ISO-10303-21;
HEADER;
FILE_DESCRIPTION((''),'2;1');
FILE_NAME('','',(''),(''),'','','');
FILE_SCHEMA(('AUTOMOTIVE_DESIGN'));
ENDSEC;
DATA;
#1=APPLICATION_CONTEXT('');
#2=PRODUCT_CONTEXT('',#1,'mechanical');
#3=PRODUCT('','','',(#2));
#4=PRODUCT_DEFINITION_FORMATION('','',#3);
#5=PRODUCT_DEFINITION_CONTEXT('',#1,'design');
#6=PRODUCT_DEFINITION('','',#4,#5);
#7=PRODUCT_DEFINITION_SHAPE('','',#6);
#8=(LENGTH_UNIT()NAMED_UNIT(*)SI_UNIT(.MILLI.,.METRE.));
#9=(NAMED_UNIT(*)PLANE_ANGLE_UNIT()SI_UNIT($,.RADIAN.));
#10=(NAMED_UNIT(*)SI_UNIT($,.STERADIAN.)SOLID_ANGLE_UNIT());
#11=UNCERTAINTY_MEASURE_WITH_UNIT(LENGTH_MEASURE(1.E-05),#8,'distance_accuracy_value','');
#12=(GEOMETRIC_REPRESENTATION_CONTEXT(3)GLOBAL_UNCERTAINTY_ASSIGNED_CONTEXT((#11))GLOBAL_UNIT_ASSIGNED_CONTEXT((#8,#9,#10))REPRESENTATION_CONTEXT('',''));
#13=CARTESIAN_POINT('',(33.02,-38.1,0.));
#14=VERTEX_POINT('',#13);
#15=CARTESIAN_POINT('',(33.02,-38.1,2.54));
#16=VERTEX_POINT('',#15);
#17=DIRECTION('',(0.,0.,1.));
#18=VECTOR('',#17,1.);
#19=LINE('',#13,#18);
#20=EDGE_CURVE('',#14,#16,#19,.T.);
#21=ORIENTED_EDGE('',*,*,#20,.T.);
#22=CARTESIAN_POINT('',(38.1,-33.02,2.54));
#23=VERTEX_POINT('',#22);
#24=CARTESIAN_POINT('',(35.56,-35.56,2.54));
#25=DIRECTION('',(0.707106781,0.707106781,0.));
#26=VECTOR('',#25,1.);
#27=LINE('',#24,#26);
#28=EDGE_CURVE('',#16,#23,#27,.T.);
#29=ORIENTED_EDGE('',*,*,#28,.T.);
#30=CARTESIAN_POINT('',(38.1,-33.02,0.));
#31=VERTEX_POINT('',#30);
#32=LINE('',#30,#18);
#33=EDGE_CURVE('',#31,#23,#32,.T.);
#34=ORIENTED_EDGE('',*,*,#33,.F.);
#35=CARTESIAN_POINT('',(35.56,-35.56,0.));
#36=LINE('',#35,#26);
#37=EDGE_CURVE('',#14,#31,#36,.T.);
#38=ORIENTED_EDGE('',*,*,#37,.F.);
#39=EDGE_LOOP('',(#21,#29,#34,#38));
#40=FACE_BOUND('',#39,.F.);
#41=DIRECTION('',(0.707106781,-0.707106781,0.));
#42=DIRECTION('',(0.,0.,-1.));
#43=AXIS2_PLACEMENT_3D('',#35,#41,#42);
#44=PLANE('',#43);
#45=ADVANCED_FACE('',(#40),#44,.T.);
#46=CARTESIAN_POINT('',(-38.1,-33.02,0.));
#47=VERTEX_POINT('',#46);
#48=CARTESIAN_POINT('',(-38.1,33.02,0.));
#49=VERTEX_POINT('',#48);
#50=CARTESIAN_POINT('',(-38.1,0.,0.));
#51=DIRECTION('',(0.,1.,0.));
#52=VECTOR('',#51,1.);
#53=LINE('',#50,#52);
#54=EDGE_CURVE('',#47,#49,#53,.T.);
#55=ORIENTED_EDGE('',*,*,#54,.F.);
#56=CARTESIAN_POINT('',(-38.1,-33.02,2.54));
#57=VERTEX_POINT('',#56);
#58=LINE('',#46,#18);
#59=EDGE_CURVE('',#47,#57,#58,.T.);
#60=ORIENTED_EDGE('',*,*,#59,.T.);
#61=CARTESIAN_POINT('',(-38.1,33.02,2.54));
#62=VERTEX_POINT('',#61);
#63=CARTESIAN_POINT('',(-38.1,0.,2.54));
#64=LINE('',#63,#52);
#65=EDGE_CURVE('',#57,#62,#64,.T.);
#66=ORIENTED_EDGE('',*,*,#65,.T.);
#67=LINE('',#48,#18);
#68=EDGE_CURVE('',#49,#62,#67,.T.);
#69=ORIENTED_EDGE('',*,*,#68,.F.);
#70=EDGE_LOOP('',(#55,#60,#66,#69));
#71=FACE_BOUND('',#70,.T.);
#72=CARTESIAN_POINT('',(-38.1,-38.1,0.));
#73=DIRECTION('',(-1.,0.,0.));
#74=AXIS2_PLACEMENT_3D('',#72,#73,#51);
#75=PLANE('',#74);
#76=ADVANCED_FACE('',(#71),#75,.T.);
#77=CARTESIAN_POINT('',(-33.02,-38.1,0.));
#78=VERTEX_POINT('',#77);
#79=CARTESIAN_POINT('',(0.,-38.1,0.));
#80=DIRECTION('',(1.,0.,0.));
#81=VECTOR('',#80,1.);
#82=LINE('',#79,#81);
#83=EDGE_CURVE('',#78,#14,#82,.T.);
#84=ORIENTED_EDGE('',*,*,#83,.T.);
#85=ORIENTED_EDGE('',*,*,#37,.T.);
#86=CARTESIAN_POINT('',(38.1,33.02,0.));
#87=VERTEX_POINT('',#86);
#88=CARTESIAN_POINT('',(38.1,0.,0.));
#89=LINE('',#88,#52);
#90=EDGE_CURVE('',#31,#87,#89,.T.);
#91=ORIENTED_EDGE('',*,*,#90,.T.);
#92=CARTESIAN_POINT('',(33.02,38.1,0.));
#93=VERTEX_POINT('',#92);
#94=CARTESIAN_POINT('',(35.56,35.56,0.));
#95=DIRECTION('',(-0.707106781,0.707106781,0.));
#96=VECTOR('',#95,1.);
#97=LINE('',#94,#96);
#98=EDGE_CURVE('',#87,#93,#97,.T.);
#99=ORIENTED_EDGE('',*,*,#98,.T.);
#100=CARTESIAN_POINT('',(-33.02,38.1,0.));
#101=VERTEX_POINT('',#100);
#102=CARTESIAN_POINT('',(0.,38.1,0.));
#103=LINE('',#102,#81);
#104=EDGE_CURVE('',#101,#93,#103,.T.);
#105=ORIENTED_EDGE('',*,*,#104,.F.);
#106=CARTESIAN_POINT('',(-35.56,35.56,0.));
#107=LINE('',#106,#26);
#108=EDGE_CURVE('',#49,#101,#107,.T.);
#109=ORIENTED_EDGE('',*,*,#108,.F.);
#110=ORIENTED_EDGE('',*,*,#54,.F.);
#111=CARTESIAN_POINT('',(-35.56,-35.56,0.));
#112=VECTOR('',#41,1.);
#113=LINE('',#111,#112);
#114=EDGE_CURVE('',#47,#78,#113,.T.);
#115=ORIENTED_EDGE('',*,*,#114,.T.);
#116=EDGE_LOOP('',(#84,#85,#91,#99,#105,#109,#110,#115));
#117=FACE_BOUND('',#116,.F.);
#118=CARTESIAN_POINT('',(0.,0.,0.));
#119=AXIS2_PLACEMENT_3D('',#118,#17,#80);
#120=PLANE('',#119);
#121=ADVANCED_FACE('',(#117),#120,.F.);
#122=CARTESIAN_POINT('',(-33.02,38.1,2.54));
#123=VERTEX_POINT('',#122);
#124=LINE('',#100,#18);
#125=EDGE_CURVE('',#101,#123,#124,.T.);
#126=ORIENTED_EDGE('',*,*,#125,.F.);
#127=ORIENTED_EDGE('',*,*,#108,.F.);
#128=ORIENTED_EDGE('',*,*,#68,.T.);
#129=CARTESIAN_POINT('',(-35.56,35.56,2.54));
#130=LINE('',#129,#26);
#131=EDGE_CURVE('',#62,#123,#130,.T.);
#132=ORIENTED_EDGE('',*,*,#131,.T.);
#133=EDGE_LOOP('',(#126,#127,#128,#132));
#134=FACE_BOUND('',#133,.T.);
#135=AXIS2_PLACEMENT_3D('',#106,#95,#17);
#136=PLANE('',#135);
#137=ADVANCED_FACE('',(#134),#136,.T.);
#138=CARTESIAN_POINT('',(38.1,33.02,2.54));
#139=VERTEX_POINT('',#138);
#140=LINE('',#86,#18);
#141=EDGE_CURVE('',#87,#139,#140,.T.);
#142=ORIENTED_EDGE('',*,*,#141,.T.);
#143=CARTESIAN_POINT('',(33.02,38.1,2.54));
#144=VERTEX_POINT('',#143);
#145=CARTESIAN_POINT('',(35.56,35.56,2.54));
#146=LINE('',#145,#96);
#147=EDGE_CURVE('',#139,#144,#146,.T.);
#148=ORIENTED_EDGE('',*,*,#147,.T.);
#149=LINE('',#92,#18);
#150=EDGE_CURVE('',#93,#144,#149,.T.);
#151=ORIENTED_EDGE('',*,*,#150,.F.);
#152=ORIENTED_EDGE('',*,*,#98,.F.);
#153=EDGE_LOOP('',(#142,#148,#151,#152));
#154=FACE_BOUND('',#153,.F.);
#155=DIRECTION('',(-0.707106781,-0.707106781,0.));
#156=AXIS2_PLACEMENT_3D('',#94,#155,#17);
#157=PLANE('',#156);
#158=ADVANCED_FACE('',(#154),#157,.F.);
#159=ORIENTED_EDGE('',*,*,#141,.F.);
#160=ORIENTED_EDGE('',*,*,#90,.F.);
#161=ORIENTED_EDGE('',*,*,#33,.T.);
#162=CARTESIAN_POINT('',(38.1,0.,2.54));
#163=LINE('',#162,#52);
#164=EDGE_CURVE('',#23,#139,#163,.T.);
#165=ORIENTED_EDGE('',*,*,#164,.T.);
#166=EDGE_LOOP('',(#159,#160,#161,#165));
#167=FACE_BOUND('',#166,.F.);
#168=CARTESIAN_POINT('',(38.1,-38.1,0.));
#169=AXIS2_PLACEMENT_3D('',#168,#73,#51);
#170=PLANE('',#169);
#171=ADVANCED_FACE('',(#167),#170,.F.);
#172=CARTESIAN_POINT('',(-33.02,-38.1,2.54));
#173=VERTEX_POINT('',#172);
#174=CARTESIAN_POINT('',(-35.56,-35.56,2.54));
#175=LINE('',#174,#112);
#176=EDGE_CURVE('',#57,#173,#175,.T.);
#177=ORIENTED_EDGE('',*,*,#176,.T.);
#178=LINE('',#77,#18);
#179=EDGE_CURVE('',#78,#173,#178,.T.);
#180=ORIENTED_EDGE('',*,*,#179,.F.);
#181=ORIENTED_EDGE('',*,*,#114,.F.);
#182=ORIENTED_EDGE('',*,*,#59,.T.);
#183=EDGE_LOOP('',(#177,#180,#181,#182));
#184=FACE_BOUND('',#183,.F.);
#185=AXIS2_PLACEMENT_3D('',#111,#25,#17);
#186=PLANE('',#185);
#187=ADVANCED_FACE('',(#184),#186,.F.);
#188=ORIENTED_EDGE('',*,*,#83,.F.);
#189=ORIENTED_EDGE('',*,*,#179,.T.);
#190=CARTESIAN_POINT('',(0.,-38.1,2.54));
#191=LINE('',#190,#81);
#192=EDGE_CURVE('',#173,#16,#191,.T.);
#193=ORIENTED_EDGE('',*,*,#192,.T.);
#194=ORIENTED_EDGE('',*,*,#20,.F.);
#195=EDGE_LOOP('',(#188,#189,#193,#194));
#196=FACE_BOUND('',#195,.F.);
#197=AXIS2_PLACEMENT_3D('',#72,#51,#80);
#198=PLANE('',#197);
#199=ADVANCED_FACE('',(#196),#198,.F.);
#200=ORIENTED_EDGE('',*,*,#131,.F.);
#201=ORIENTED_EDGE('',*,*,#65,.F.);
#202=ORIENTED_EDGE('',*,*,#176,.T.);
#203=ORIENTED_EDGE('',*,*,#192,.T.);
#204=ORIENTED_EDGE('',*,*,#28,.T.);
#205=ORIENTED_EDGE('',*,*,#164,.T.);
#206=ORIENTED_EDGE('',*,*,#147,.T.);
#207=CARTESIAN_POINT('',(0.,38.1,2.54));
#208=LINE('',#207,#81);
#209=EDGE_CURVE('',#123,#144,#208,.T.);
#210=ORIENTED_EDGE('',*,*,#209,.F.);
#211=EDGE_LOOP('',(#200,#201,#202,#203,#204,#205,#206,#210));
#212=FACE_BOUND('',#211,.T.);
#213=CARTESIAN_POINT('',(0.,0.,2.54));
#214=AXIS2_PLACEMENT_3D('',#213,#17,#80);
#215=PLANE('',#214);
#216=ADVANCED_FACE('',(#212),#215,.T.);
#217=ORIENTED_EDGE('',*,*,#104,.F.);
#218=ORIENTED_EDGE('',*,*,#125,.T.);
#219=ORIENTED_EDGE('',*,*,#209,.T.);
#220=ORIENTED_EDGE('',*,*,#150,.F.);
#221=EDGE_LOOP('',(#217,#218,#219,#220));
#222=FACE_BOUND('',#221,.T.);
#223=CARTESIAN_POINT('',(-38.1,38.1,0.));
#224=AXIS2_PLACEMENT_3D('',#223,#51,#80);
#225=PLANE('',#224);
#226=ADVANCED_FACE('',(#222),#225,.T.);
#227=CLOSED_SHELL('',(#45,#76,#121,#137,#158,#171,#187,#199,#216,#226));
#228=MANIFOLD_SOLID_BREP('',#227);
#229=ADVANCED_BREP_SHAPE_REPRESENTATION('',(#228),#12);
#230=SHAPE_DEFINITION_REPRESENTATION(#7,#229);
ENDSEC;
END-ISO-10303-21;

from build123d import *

# Parameters (mm, degrees)
F0_W     = 76.2
F0_H     = 76.2
F1_DEPTH = 2.54
F3_W     = 76.2
F3_H     = 76.2
F4_DEPTH = 2.54
F5_SIZE  = 5.08


with BuildPart() as f1:
    # F0 (on Top) → F1 (new body)
    with BuildSketch(Plane.XY):
        with Locations((-53.6030647397, 0.9952480853)):
            Rectangle(F0_W, F0_H)
    extrude(amount=F1_DEPTH)


with BuildPart() as f4:
    # F3 (on Top) → F4 (new body)
    with BuildSketch(Plane.XY):
        Rectangle(F3_W, F3_H)
    extrude(amount=F4_DEPTH)

    # F5
    f5_edges = [f4.edges().sort_by_distance(p)[0] for p in [
        (-38.1, -38.1, 1.27),
        (-38.1, 38.1, 1.27),
        (38.1, 38.1, 1.27),
        (38.1, -38.1, 1.27),
    ]]
    chamfer(f5_edges, length=F5_SIZE)


solid = f4.part
